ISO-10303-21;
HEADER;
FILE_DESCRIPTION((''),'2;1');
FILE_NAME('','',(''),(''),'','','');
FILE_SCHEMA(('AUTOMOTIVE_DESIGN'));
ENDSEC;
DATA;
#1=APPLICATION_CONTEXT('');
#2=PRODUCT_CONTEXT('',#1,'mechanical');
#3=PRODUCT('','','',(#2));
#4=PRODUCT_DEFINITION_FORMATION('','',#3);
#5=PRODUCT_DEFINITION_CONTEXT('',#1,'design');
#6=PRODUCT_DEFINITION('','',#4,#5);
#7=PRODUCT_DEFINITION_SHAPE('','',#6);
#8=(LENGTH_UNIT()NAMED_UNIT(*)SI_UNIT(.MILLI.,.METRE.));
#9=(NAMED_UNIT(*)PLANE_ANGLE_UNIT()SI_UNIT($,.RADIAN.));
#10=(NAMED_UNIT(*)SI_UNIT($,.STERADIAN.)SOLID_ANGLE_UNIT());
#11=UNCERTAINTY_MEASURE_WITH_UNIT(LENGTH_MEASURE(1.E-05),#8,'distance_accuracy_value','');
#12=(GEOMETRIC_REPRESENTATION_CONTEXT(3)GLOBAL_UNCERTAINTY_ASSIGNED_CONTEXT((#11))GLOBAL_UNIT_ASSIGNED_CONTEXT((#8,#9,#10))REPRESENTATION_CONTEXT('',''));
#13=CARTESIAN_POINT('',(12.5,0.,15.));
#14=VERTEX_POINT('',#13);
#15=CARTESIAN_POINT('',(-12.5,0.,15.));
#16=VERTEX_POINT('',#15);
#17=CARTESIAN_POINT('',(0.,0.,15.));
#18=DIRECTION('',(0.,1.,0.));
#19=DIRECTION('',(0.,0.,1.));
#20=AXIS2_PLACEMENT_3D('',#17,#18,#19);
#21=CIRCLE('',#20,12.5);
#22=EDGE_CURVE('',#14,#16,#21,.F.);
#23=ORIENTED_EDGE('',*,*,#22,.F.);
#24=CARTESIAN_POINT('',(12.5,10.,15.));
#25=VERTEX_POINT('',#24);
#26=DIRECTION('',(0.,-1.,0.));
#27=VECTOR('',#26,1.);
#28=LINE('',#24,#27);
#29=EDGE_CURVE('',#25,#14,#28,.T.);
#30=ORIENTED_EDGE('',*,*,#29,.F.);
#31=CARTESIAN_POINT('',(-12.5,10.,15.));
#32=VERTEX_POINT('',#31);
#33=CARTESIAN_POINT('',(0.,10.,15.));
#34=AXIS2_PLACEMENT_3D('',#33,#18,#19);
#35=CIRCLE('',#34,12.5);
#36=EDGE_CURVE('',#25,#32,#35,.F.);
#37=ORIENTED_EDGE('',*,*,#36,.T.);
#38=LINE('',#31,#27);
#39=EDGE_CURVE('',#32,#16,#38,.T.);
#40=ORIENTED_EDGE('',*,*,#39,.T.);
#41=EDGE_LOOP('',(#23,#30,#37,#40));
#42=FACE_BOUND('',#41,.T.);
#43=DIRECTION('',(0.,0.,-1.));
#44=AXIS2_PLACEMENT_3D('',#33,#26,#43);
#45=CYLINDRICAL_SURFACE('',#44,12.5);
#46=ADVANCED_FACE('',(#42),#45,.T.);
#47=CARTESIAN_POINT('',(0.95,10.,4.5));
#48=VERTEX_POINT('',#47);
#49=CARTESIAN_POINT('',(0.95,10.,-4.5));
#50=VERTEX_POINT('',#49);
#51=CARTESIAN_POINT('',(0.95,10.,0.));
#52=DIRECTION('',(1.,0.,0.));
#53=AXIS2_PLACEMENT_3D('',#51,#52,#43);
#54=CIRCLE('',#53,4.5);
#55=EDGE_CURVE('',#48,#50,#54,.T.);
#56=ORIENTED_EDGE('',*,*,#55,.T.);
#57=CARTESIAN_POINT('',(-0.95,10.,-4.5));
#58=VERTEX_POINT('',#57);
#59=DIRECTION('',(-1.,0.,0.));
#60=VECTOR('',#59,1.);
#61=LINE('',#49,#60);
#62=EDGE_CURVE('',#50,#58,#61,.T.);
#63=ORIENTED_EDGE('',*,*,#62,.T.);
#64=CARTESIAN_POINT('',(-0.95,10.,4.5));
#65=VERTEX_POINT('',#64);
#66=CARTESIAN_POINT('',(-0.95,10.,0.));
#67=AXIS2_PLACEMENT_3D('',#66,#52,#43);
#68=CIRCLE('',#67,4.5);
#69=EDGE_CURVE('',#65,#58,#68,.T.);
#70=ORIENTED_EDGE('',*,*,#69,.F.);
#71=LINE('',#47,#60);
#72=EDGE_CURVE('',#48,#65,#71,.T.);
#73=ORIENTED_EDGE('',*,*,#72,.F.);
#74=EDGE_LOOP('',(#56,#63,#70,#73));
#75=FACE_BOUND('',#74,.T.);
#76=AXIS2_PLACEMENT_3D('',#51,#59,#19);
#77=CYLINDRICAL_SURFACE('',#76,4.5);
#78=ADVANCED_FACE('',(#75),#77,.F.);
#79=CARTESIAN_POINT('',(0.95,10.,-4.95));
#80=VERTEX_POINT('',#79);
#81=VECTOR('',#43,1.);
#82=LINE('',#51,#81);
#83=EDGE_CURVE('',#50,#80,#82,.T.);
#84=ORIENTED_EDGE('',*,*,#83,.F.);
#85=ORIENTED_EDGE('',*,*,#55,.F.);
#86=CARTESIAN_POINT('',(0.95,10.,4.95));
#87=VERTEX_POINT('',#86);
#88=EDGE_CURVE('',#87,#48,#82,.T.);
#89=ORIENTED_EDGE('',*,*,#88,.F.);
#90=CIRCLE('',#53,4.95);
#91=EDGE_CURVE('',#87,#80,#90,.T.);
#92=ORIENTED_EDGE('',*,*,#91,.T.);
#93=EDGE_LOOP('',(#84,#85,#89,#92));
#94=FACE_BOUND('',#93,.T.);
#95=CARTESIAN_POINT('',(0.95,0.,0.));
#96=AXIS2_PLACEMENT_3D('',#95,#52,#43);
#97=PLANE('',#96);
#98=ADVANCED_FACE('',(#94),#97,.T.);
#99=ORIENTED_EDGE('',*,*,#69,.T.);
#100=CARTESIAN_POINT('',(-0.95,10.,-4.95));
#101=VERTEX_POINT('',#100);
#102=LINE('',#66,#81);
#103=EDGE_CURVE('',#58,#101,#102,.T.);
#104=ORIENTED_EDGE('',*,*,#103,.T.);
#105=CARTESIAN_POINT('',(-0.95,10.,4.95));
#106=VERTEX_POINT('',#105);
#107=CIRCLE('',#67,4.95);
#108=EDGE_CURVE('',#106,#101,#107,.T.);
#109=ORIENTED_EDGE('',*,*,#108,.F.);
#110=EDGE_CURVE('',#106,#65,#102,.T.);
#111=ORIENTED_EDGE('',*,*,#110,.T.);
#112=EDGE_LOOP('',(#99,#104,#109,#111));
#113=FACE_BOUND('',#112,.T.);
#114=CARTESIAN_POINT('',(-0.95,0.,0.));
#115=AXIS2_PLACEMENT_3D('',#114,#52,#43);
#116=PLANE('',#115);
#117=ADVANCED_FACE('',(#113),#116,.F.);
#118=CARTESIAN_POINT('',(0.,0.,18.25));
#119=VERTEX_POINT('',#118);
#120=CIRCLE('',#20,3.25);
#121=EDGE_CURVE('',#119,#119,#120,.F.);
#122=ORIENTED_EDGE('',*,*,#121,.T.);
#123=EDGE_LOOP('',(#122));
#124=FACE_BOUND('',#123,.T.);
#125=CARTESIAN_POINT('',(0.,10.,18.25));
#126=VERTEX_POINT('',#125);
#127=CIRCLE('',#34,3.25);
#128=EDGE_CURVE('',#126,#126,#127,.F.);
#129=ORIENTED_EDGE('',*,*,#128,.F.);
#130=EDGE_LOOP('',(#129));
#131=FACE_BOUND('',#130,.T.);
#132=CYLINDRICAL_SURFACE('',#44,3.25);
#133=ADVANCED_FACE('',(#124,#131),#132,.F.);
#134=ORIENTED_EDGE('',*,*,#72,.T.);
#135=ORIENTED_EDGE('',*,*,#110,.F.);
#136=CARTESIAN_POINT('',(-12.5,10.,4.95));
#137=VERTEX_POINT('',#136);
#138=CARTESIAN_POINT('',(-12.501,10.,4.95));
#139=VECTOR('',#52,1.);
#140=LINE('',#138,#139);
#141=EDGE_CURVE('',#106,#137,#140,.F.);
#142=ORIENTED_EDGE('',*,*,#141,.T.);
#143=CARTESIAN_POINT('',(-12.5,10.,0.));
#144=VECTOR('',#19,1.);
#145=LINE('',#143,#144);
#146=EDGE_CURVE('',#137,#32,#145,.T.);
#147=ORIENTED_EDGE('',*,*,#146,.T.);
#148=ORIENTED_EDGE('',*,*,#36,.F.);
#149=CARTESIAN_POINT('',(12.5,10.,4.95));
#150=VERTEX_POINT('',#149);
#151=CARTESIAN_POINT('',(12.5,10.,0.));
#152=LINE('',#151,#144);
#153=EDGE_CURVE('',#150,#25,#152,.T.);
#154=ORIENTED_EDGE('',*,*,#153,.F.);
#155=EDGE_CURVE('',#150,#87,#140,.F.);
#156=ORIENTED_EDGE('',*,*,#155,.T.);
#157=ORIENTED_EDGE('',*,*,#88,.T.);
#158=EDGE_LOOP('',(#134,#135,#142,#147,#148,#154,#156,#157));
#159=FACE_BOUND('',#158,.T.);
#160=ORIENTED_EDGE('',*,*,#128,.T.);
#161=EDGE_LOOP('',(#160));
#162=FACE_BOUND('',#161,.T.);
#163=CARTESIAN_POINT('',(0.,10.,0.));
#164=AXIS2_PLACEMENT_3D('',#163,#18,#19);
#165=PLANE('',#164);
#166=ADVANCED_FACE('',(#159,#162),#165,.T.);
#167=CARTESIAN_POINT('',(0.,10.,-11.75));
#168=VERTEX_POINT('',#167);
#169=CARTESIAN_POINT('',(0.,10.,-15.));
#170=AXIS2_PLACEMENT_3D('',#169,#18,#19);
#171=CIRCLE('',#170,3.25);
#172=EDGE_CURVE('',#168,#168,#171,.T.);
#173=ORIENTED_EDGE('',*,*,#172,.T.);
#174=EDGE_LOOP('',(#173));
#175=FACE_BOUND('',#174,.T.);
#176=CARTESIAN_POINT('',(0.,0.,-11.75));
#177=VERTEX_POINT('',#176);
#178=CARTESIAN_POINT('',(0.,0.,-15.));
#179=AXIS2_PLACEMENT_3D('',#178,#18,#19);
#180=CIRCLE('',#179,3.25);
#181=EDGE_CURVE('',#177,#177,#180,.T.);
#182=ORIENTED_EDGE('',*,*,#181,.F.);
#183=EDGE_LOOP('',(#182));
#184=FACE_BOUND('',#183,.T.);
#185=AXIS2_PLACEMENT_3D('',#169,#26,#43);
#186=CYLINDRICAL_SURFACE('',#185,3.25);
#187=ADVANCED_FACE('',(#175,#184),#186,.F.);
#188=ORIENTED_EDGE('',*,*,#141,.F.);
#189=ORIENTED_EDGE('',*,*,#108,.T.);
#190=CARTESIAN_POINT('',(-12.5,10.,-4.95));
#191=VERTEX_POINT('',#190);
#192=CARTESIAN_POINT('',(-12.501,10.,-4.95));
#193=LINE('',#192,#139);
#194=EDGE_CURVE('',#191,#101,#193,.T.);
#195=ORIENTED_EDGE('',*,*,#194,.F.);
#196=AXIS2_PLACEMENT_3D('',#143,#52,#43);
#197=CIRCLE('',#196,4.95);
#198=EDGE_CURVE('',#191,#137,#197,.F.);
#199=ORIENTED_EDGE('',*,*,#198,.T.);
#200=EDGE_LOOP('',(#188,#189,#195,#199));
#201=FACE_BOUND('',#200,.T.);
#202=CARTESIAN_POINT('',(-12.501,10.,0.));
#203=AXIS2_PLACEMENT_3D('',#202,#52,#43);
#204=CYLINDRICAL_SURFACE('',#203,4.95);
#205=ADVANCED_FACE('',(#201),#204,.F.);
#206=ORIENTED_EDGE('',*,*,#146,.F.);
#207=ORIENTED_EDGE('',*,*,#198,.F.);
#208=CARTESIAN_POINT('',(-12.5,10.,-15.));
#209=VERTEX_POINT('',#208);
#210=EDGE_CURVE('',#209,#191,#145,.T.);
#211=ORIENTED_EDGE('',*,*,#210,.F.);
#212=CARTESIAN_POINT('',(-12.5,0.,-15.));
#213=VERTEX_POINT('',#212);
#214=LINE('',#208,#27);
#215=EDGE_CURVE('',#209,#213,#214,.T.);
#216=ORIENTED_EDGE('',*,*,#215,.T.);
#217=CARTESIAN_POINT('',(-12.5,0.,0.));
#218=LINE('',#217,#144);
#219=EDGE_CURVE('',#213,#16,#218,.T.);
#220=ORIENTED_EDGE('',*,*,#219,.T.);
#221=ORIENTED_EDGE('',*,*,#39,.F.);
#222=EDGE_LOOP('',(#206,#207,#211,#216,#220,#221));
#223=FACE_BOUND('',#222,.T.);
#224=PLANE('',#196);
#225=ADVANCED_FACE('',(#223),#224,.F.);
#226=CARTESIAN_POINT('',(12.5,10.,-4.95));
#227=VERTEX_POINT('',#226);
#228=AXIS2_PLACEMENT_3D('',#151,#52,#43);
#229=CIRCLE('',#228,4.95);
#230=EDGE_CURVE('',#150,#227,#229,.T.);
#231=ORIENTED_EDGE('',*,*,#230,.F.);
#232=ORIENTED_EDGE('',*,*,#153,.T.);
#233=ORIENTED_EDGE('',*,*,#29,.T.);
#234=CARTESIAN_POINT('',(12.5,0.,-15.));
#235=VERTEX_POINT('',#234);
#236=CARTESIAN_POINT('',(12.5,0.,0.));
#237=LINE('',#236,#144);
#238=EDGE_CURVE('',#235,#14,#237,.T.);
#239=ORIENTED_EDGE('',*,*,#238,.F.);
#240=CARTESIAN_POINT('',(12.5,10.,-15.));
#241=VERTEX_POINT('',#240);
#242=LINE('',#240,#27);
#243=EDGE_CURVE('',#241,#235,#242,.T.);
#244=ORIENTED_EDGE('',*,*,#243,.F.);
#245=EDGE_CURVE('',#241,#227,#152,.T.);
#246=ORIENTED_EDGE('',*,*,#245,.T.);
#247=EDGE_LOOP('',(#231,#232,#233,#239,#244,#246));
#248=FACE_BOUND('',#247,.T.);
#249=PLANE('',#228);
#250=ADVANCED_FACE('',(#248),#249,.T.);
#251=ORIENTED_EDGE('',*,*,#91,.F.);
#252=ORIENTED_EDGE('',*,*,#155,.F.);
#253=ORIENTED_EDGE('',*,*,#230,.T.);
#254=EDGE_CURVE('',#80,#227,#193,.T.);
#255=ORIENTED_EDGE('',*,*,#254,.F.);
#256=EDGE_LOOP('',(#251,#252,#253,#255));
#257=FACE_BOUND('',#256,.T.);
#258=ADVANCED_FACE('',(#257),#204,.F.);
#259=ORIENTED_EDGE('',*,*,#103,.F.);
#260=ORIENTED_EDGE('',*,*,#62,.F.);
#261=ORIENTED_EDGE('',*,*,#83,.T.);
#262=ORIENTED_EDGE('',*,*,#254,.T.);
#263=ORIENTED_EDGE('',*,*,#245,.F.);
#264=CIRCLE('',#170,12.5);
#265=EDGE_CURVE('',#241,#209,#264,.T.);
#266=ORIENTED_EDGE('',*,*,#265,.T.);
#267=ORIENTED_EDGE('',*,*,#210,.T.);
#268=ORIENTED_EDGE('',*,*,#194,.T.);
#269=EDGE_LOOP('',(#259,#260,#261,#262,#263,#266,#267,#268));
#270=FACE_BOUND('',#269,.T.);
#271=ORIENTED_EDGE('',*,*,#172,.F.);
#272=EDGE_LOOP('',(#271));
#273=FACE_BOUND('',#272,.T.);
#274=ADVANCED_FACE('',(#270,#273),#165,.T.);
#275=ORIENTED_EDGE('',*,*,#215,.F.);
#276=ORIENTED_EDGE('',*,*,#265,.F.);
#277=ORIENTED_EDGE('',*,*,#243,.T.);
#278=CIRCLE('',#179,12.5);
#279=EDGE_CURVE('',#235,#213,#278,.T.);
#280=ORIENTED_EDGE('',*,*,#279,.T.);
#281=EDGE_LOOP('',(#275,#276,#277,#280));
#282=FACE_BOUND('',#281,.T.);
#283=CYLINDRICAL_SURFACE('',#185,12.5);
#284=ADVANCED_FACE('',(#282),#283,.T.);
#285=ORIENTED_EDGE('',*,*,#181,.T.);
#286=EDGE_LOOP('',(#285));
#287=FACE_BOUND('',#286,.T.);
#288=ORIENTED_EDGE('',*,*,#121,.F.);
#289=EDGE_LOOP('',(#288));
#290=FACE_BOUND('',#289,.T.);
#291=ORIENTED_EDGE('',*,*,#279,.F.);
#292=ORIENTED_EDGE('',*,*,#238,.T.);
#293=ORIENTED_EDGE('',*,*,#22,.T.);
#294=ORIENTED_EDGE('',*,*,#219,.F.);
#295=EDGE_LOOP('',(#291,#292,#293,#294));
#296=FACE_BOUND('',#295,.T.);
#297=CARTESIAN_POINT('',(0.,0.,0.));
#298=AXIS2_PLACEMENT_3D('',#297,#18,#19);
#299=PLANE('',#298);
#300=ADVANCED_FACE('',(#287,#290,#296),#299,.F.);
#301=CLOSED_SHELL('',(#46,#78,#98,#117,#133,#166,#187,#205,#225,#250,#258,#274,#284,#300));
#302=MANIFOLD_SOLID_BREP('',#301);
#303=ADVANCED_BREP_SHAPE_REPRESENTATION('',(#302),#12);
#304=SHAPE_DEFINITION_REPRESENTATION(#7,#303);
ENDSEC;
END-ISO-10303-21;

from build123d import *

# Parameters (mm, degrees)
SKETCH1_R           = 12.5
SKETCH1_R_2         = 3.25
BOSS_EXTRUDE1_DEPTH = 10
CUT_EXTRUDE1_REACH  = 27
SKETCH2_R           = 4.95
BOSS_EXTRUDE2_DEPTH = 0.95


with BuildPart() as part:
    # Sketch1 → Boss-Extrude1 (new body)
    with BuildSketch(Plane(origin=(0, 0, 0), x_dir=(1, 0, 0), z_dir=(0, 1, 0))):
        with BuildLine():
            ThreePointArc((12.5, 15), (0, 2.5), (-12.5, 15))
            Line((-12.5, 15), (-12.5, -14.999999966))
            ThreePointArc((-12.5, -14.999999966), (1.7e-08, -2.5), (12.5, -15))
            Line((12.5, -15), (12.5, 15))
        make_face()
        with Locations((0, 15)):
            Circle(SKETCH1_R)
        with Locations((0, 15)):
            Circle(SKETCH1_R_2, mode=Mode.SUBTRACT)
        with Locations((0, -15)):
            Circle(SKETCH1_R)
        with Locations((0, -15)):
            Circle(SKETCH1_R_2, mode=Mode.SUBTRACT)
    extrude(amount=BOSS_EXTRUDE1_DEPTH)

    # Sketch2 → Cut-Extrude1 (cut, up to next)
    with BuildSketch(Plane(origin=(12.5, 0, 0), x_dir=(0, 0, -1), z_dir=(1, 0, 0)), mode=Mode.PRIVATE) as cut_extrude1_sk1:
        with Locations((0, 10)):
            Circle(SKETCH2_R)
    cut_extrude1_tool1 = extrude(cut_extrude1_sk1.sketch, amount=-CUT_EXTRUDE1_REACH, mode=Mode.PRIVATE) & part.part
    add(cut_extrude1_tool1.solids().sort_by_distance((12.5, 10, 0))[0], mode=Mode.SUBTRACT)

    # Sketch3 → Boss-Extrude2 (add, symmetric)
    with BuildSketch(Plane(origin=(0, 0, 0), x_dir=(0, 0, -1), z_dir=(1, 0, 0))):
        with BuildLine():
            Line((4.95, 10), (4.5, 10))
            ThreePointArc((4.5, 10), (0, 5.5), (-4.5, 10))
            Line((-4.5, 10), (-4.95, 10))
            ThreePointArc((-4.95, 10), (0, 5.05), (4.95, 10))
        make_face()
    extrude(amount=BOSS_EXTRUDE2_DEPTH, both=True)


solid = part.part
